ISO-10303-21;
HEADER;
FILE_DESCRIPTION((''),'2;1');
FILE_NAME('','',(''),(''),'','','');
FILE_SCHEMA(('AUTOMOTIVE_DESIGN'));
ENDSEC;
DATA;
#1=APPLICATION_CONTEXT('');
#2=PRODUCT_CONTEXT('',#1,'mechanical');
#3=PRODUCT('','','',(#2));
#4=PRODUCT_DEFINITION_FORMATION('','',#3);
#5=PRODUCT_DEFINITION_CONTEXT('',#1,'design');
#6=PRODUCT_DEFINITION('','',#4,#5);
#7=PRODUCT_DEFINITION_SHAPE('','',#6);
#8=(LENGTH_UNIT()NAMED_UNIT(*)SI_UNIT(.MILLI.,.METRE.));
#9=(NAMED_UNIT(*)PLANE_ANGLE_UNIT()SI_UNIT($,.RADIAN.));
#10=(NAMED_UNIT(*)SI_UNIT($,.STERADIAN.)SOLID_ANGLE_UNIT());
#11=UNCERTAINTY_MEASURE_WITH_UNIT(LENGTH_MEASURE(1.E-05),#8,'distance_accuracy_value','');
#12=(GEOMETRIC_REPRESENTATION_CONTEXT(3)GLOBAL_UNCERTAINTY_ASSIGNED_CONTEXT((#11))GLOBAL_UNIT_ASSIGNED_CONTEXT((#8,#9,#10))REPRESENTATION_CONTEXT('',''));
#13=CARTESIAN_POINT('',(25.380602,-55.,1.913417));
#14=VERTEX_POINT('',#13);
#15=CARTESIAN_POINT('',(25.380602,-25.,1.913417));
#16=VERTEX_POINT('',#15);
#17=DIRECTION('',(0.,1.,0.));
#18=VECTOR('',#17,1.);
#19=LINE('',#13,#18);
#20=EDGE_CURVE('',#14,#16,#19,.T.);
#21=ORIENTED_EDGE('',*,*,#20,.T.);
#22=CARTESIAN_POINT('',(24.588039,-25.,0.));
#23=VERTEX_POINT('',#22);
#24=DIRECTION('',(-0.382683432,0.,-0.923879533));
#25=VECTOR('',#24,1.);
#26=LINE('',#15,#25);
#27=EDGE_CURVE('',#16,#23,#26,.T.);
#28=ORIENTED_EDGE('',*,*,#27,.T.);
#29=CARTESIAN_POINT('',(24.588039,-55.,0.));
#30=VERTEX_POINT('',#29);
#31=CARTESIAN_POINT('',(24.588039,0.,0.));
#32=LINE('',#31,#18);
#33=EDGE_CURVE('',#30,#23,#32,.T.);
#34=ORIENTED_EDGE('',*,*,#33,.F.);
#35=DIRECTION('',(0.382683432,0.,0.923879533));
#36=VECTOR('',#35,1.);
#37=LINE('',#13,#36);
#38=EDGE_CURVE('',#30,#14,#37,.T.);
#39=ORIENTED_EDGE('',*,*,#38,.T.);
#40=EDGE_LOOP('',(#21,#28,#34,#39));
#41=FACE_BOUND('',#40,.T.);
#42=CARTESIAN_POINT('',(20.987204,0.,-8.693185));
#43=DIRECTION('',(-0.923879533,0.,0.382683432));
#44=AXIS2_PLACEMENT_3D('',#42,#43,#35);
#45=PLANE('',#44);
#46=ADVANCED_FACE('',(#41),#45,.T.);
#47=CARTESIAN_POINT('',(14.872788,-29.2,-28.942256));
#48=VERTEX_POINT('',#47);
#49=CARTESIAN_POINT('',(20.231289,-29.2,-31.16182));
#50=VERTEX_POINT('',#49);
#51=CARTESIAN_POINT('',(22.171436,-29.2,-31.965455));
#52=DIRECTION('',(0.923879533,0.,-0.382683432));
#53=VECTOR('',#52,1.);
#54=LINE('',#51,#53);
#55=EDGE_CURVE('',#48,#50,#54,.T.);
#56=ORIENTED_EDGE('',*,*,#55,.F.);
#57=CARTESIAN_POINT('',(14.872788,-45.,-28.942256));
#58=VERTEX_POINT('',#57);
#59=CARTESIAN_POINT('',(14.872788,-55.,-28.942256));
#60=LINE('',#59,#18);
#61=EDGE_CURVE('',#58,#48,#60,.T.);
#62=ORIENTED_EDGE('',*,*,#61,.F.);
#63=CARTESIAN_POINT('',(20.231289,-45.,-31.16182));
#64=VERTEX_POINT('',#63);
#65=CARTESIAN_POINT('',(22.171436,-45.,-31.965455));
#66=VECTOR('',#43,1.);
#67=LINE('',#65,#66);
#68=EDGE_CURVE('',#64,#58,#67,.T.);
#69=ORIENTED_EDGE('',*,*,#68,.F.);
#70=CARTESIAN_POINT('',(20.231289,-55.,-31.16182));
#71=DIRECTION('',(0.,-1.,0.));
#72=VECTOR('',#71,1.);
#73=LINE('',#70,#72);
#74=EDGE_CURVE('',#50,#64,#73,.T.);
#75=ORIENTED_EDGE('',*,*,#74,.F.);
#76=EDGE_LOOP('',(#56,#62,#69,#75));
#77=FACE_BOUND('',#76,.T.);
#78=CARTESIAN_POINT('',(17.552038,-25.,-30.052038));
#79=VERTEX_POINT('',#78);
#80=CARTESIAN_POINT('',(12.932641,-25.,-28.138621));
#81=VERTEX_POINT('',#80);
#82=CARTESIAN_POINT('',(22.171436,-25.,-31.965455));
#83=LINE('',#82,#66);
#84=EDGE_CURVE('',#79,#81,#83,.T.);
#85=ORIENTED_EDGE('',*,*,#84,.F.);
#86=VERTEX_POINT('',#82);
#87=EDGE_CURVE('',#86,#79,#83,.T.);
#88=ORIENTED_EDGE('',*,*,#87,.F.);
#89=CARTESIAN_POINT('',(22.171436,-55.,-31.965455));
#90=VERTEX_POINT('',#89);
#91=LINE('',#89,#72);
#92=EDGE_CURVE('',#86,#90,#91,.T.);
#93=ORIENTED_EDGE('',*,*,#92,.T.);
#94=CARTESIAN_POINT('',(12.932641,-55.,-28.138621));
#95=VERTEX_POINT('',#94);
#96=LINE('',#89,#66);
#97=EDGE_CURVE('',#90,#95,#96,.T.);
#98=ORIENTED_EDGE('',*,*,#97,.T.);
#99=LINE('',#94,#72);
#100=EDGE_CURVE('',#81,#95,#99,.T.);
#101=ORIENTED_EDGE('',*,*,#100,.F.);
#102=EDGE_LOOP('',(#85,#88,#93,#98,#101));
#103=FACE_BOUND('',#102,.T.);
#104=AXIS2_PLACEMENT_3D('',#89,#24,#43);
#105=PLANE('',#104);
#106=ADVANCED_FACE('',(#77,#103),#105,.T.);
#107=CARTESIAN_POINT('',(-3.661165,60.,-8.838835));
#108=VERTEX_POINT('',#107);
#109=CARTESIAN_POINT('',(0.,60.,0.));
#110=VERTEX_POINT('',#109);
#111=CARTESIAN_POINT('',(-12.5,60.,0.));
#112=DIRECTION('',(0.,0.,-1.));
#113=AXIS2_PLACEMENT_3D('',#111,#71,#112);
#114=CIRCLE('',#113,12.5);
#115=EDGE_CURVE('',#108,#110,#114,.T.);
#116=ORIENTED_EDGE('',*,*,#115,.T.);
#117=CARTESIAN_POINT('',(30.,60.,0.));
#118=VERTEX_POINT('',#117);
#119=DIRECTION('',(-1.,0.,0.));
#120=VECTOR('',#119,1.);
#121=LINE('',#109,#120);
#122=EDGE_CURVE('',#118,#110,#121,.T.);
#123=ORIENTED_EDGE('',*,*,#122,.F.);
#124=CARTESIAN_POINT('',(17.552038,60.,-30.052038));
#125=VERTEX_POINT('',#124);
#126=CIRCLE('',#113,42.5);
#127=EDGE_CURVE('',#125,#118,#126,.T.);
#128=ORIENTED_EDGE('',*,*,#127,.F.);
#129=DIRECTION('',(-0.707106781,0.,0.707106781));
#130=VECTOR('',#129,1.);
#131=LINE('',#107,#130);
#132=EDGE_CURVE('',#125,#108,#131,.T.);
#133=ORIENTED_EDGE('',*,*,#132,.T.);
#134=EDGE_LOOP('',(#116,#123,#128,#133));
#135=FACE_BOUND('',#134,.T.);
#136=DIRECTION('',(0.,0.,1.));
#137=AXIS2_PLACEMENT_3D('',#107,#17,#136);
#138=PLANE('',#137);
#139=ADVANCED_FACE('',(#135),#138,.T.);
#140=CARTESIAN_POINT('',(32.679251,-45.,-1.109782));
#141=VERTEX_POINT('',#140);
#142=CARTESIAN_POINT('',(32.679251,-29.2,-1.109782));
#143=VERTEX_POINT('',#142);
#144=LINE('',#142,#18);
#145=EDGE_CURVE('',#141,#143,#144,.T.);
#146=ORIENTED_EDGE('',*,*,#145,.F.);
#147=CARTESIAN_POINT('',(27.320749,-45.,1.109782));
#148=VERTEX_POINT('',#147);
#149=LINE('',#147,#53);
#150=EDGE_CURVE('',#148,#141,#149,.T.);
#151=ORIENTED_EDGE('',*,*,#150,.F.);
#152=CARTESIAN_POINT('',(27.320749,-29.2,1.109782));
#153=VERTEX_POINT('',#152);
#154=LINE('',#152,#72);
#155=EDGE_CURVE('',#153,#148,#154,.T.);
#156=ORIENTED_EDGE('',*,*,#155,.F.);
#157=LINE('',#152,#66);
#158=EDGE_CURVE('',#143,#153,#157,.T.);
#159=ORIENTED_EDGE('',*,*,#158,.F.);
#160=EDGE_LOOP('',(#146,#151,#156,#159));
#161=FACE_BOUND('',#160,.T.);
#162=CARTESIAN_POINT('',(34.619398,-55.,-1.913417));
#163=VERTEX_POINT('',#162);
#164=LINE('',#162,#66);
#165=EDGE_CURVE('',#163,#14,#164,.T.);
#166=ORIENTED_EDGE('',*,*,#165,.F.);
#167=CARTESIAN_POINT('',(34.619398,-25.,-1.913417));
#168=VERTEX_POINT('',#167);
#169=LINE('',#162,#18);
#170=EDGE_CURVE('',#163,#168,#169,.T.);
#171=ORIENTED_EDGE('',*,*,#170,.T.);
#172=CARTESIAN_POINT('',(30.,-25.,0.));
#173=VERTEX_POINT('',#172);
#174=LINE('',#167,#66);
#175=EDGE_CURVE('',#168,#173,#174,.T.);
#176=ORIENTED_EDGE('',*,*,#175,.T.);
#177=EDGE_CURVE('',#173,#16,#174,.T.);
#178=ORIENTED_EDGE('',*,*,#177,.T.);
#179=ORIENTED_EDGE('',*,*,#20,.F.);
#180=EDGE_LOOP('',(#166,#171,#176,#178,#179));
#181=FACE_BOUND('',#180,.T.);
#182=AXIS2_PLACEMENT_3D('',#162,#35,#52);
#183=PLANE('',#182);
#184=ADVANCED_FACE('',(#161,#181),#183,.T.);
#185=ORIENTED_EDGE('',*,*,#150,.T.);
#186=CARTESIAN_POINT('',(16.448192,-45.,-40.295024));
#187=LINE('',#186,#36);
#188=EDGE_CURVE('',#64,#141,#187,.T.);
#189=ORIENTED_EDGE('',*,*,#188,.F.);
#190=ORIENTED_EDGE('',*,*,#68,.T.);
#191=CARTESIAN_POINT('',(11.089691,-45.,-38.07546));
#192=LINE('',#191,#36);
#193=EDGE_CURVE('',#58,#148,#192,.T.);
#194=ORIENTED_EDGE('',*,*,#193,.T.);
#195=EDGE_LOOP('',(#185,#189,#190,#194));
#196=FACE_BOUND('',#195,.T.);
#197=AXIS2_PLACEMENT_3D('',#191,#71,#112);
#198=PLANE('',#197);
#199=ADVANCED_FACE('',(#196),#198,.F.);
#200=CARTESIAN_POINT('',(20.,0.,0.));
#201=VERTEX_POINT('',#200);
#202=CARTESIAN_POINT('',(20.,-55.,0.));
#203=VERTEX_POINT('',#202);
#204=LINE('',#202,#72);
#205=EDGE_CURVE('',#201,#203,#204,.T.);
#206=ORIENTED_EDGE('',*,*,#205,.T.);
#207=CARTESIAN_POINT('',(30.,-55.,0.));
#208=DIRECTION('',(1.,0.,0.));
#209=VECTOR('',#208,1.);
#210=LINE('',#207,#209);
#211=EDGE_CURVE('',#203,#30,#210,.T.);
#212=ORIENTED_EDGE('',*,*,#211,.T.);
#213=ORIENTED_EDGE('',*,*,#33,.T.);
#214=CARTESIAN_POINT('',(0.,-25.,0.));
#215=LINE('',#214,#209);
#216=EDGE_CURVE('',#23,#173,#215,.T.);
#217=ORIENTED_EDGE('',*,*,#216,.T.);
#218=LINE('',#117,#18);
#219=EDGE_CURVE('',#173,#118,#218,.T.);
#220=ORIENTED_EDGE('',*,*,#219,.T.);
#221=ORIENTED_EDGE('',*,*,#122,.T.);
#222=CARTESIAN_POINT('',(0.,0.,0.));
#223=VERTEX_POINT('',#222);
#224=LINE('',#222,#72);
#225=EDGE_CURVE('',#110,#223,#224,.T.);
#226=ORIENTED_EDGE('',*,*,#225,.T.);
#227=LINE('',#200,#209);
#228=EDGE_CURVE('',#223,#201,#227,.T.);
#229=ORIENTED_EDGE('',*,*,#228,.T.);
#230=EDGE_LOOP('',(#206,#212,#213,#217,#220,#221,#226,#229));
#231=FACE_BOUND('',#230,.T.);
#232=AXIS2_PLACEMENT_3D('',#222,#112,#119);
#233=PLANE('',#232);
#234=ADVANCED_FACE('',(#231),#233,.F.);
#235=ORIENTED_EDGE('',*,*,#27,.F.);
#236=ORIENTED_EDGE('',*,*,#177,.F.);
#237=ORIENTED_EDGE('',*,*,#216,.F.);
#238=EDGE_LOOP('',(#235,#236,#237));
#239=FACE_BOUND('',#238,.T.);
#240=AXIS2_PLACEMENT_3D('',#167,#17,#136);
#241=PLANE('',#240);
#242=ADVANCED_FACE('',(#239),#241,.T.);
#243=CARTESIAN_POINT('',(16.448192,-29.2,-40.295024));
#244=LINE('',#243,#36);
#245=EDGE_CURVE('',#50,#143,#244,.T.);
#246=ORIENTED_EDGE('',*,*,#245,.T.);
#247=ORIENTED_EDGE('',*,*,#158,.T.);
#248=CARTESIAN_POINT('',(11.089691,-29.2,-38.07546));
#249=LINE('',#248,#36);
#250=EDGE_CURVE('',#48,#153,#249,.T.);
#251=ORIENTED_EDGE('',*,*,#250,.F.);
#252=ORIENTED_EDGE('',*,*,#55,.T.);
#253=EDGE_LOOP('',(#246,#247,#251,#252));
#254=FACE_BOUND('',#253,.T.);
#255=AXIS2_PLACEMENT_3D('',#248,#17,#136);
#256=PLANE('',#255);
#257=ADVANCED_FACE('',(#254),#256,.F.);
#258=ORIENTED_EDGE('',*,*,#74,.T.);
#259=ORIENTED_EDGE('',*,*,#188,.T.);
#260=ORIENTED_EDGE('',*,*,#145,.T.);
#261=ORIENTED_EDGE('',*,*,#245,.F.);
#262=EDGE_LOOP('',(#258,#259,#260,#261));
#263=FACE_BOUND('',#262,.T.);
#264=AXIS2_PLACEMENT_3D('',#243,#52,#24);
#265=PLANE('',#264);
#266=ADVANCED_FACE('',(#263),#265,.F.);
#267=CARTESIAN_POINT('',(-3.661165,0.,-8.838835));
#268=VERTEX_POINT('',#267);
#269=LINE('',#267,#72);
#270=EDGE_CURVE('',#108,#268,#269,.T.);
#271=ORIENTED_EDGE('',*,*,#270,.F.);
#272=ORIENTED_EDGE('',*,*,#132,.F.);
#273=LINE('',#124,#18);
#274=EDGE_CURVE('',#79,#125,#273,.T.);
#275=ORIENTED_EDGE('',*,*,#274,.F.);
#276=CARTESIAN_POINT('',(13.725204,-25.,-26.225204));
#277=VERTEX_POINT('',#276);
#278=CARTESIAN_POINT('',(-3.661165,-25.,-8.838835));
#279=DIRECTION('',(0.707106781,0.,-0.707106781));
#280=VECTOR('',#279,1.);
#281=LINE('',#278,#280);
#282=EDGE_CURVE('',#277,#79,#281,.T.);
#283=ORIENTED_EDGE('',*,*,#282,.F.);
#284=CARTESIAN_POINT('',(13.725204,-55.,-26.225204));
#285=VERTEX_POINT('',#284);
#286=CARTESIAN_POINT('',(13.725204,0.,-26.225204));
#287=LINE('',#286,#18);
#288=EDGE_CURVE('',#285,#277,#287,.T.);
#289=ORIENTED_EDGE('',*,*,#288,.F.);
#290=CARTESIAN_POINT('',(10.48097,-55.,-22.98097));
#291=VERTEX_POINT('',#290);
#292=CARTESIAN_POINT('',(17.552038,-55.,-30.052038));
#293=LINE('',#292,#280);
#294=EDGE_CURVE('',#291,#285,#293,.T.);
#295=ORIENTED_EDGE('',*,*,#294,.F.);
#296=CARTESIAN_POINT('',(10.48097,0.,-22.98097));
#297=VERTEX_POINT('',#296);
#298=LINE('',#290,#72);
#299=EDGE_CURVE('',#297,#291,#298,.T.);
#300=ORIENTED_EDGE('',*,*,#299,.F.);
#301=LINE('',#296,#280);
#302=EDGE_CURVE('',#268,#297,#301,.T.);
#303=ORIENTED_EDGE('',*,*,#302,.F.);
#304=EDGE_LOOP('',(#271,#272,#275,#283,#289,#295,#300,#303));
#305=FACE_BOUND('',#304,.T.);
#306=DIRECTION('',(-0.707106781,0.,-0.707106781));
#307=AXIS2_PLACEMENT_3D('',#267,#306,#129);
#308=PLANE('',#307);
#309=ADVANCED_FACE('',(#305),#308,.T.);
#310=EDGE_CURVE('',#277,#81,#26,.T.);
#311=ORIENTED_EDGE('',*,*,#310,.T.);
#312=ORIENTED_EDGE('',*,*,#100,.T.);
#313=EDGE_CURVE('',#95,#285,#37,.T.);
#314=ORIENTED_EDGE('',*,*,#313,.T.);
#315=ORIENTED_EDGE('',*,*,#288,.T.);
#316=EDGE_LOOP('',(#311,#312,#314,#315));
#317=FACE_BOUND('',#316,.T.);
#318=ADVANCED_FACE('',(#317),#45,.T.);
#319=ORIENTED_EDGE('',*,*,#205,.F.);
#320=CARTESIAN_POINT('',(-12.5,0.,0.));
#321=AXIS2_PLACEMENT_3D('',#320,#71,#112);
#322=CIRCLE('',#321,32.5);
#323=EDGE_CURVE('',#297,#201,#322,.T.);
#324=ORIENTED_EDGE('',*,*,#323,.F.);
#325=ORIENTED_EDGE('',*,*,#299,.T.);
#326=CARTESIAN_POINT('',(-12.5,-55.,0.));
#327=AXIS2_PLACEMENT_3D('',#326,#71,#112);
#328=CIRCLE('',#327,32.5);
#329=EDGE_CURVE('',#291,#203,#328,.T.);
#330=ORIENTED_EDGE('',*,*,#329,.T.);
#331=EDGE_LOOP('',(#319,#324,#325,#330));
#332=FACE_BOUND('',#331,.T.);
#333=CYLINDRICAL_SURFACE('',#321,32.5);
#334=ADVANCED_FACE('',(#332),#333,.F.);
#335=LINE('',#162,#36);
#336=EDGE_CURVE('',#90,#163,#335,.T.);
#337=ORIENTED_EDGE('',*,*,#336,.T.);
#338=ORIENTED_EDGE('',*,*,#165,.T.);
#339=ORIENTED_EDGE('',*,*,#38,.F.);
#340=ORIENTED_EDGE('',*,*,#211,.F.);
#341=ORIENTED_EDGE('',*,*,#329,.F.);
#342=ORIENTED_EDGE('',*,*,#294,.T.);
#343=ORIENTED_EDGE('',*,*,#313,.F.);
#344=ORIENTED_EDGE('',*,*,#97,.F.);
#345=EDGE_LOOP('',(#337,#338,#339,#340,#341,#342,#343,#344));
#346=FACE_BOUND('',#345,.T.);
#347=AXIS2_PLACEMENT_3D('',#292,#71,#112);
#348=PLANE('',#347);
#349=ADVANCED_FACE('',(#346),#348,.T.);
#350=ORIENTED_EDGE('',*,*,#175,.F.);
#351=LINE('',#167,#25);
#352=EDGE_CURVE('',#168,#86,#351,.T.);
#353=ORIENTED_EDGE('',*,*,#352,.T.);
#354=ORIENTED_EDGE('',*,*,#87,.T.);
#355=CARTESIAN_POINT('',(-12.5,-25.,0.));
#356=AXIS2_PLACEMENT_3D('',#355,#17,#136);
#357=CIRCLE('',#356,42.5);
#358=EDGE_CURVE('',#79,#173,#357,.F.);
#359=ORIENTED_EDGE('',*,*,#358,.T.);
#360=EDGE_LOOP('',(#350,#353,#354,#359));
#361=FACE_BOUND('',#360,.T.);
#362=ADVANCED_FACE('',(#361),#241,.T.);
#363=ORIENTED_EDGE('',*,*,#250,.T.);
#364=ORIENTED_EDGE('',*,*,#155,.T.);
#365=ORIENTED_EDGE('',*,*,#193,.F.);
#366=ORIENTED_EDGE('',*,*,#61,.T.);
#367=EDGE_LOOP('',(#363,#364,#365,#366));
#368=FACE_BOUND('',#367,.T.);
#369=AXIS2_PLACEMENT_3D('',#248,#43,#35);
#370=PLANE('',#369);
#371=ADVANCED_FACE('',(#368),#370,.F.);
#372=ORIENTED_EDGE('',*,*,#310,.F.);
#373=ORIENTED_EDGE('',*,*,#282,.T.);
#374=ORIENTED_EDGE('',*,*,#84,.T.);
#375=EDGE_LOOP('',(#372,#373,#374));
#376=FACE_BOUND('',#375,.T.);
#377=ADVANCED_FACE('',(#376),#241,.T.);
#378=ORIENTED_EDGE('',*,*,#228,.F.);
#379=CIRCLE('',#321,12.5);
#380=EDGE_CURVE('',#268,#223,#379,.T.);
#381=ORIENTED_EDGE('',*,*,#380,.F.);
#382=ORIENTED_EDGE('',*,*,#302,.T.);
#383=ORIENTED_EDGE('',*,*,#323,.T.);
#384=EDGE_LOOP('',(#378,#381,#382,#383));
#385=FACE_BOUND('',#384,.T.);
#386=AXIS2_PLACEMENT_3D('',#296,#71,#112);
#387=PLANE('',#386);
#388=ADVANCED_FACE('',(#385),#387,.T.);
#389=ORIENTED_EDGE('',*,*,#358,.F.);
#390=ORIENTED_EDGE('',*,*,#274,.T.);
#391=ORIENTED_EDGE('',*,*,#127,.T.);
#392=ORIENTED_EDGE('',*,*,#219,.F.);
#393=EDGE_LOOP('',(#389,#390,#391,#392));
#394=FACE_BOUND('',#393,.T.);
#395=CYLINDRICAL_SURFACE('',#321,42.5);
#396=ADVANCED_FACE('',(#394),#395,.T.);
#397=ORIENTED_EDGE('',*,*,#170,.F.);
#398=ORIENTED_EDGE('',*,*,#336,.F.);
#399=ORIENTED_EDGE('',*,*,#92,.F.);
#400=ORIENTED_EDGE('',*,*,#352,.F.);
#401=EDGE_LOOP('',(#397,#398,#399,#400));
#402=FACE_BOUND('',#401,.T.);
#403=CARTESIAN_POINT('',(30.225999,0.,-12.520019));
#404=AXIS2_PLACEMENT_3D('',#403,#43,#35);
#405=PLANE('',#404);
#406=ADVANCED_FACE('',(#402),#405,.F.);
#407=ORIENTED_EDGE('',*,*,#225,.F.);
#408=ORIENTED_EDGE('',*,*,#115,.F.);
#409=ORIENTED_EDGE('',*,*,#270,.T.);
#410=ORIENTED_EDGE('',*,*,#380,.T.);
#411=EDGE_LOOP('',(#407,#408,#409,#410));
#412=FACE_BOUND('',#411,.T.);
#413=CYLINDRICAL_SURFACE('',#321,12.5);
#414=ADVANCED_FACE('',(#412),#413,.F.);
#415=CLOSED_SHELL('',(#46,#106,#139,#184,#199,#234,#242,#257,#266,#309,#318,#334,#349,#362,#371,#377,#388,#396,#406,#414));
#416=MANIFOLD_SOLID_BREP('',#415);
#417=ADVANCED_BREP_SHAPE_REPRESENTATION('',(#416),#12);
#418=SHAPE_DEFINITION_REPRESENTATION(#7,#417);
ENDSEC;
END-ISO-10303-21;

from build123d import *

# Parameters (mm, degrees)
REVOLVE1_ANGLE      = 45
SKETCH2_W           = 32.528091751
SKETCH2_H           = 30
BOSS_EXTRUDE1_DEPTH = 5
SKETCH3_W           = 5.8
SKETCH3_H           = 15.8
CUT_EXTRUDE1_DEPTH  = 43.413800206


with BuildPart() as part:
    # Sketch1 → Revolve1 (revolve)
    with BuildSketch(Plane.XY):
        Polygon((0, 0), (0, 60), (30, 60), (30, -55), (20, -55), (20, 0), align=None)
    revolve(axis=Axis((-12.5, 0, 0), (0, 1, 0)), revolution_arc=REVOLVE1_ANGLE)

    # Sketch2 → Boss-Extrude1 (add, symmetric)
    with BuildSketch(Plane(origin=(25.606601718, 0, -10.606601718), x_dir=(0.382683432, 0, 0.923879533), z_dir=(-0.923879533, 0, 0.382683432))):
        with Locations((-4.783542905, -40)):
            Rectangle(SKETCH2_W, SKETCH2_H)
    extrude(amount=BOSS_EXTRUDE1_DEPTH, both=True)

    # Sketch3 → Cut-Extrude1 (cut, through all)
    with BuildSketch(Plane(origin=(4.393398282, 0, 10.606601718), x_dir=(0.923879533, 0, -0.382683432), z_dir=(0.382683432, 0, 0.923879533))):
        with Locations((27.716385975, -37.1)):
            Rectangle(SKETCH3_W, SKETCH3_H)
    extrude(amount=-CUT_EXTRUDE1_DEPTH, mode=Mode.SUBTRACT)


solid = part.part
